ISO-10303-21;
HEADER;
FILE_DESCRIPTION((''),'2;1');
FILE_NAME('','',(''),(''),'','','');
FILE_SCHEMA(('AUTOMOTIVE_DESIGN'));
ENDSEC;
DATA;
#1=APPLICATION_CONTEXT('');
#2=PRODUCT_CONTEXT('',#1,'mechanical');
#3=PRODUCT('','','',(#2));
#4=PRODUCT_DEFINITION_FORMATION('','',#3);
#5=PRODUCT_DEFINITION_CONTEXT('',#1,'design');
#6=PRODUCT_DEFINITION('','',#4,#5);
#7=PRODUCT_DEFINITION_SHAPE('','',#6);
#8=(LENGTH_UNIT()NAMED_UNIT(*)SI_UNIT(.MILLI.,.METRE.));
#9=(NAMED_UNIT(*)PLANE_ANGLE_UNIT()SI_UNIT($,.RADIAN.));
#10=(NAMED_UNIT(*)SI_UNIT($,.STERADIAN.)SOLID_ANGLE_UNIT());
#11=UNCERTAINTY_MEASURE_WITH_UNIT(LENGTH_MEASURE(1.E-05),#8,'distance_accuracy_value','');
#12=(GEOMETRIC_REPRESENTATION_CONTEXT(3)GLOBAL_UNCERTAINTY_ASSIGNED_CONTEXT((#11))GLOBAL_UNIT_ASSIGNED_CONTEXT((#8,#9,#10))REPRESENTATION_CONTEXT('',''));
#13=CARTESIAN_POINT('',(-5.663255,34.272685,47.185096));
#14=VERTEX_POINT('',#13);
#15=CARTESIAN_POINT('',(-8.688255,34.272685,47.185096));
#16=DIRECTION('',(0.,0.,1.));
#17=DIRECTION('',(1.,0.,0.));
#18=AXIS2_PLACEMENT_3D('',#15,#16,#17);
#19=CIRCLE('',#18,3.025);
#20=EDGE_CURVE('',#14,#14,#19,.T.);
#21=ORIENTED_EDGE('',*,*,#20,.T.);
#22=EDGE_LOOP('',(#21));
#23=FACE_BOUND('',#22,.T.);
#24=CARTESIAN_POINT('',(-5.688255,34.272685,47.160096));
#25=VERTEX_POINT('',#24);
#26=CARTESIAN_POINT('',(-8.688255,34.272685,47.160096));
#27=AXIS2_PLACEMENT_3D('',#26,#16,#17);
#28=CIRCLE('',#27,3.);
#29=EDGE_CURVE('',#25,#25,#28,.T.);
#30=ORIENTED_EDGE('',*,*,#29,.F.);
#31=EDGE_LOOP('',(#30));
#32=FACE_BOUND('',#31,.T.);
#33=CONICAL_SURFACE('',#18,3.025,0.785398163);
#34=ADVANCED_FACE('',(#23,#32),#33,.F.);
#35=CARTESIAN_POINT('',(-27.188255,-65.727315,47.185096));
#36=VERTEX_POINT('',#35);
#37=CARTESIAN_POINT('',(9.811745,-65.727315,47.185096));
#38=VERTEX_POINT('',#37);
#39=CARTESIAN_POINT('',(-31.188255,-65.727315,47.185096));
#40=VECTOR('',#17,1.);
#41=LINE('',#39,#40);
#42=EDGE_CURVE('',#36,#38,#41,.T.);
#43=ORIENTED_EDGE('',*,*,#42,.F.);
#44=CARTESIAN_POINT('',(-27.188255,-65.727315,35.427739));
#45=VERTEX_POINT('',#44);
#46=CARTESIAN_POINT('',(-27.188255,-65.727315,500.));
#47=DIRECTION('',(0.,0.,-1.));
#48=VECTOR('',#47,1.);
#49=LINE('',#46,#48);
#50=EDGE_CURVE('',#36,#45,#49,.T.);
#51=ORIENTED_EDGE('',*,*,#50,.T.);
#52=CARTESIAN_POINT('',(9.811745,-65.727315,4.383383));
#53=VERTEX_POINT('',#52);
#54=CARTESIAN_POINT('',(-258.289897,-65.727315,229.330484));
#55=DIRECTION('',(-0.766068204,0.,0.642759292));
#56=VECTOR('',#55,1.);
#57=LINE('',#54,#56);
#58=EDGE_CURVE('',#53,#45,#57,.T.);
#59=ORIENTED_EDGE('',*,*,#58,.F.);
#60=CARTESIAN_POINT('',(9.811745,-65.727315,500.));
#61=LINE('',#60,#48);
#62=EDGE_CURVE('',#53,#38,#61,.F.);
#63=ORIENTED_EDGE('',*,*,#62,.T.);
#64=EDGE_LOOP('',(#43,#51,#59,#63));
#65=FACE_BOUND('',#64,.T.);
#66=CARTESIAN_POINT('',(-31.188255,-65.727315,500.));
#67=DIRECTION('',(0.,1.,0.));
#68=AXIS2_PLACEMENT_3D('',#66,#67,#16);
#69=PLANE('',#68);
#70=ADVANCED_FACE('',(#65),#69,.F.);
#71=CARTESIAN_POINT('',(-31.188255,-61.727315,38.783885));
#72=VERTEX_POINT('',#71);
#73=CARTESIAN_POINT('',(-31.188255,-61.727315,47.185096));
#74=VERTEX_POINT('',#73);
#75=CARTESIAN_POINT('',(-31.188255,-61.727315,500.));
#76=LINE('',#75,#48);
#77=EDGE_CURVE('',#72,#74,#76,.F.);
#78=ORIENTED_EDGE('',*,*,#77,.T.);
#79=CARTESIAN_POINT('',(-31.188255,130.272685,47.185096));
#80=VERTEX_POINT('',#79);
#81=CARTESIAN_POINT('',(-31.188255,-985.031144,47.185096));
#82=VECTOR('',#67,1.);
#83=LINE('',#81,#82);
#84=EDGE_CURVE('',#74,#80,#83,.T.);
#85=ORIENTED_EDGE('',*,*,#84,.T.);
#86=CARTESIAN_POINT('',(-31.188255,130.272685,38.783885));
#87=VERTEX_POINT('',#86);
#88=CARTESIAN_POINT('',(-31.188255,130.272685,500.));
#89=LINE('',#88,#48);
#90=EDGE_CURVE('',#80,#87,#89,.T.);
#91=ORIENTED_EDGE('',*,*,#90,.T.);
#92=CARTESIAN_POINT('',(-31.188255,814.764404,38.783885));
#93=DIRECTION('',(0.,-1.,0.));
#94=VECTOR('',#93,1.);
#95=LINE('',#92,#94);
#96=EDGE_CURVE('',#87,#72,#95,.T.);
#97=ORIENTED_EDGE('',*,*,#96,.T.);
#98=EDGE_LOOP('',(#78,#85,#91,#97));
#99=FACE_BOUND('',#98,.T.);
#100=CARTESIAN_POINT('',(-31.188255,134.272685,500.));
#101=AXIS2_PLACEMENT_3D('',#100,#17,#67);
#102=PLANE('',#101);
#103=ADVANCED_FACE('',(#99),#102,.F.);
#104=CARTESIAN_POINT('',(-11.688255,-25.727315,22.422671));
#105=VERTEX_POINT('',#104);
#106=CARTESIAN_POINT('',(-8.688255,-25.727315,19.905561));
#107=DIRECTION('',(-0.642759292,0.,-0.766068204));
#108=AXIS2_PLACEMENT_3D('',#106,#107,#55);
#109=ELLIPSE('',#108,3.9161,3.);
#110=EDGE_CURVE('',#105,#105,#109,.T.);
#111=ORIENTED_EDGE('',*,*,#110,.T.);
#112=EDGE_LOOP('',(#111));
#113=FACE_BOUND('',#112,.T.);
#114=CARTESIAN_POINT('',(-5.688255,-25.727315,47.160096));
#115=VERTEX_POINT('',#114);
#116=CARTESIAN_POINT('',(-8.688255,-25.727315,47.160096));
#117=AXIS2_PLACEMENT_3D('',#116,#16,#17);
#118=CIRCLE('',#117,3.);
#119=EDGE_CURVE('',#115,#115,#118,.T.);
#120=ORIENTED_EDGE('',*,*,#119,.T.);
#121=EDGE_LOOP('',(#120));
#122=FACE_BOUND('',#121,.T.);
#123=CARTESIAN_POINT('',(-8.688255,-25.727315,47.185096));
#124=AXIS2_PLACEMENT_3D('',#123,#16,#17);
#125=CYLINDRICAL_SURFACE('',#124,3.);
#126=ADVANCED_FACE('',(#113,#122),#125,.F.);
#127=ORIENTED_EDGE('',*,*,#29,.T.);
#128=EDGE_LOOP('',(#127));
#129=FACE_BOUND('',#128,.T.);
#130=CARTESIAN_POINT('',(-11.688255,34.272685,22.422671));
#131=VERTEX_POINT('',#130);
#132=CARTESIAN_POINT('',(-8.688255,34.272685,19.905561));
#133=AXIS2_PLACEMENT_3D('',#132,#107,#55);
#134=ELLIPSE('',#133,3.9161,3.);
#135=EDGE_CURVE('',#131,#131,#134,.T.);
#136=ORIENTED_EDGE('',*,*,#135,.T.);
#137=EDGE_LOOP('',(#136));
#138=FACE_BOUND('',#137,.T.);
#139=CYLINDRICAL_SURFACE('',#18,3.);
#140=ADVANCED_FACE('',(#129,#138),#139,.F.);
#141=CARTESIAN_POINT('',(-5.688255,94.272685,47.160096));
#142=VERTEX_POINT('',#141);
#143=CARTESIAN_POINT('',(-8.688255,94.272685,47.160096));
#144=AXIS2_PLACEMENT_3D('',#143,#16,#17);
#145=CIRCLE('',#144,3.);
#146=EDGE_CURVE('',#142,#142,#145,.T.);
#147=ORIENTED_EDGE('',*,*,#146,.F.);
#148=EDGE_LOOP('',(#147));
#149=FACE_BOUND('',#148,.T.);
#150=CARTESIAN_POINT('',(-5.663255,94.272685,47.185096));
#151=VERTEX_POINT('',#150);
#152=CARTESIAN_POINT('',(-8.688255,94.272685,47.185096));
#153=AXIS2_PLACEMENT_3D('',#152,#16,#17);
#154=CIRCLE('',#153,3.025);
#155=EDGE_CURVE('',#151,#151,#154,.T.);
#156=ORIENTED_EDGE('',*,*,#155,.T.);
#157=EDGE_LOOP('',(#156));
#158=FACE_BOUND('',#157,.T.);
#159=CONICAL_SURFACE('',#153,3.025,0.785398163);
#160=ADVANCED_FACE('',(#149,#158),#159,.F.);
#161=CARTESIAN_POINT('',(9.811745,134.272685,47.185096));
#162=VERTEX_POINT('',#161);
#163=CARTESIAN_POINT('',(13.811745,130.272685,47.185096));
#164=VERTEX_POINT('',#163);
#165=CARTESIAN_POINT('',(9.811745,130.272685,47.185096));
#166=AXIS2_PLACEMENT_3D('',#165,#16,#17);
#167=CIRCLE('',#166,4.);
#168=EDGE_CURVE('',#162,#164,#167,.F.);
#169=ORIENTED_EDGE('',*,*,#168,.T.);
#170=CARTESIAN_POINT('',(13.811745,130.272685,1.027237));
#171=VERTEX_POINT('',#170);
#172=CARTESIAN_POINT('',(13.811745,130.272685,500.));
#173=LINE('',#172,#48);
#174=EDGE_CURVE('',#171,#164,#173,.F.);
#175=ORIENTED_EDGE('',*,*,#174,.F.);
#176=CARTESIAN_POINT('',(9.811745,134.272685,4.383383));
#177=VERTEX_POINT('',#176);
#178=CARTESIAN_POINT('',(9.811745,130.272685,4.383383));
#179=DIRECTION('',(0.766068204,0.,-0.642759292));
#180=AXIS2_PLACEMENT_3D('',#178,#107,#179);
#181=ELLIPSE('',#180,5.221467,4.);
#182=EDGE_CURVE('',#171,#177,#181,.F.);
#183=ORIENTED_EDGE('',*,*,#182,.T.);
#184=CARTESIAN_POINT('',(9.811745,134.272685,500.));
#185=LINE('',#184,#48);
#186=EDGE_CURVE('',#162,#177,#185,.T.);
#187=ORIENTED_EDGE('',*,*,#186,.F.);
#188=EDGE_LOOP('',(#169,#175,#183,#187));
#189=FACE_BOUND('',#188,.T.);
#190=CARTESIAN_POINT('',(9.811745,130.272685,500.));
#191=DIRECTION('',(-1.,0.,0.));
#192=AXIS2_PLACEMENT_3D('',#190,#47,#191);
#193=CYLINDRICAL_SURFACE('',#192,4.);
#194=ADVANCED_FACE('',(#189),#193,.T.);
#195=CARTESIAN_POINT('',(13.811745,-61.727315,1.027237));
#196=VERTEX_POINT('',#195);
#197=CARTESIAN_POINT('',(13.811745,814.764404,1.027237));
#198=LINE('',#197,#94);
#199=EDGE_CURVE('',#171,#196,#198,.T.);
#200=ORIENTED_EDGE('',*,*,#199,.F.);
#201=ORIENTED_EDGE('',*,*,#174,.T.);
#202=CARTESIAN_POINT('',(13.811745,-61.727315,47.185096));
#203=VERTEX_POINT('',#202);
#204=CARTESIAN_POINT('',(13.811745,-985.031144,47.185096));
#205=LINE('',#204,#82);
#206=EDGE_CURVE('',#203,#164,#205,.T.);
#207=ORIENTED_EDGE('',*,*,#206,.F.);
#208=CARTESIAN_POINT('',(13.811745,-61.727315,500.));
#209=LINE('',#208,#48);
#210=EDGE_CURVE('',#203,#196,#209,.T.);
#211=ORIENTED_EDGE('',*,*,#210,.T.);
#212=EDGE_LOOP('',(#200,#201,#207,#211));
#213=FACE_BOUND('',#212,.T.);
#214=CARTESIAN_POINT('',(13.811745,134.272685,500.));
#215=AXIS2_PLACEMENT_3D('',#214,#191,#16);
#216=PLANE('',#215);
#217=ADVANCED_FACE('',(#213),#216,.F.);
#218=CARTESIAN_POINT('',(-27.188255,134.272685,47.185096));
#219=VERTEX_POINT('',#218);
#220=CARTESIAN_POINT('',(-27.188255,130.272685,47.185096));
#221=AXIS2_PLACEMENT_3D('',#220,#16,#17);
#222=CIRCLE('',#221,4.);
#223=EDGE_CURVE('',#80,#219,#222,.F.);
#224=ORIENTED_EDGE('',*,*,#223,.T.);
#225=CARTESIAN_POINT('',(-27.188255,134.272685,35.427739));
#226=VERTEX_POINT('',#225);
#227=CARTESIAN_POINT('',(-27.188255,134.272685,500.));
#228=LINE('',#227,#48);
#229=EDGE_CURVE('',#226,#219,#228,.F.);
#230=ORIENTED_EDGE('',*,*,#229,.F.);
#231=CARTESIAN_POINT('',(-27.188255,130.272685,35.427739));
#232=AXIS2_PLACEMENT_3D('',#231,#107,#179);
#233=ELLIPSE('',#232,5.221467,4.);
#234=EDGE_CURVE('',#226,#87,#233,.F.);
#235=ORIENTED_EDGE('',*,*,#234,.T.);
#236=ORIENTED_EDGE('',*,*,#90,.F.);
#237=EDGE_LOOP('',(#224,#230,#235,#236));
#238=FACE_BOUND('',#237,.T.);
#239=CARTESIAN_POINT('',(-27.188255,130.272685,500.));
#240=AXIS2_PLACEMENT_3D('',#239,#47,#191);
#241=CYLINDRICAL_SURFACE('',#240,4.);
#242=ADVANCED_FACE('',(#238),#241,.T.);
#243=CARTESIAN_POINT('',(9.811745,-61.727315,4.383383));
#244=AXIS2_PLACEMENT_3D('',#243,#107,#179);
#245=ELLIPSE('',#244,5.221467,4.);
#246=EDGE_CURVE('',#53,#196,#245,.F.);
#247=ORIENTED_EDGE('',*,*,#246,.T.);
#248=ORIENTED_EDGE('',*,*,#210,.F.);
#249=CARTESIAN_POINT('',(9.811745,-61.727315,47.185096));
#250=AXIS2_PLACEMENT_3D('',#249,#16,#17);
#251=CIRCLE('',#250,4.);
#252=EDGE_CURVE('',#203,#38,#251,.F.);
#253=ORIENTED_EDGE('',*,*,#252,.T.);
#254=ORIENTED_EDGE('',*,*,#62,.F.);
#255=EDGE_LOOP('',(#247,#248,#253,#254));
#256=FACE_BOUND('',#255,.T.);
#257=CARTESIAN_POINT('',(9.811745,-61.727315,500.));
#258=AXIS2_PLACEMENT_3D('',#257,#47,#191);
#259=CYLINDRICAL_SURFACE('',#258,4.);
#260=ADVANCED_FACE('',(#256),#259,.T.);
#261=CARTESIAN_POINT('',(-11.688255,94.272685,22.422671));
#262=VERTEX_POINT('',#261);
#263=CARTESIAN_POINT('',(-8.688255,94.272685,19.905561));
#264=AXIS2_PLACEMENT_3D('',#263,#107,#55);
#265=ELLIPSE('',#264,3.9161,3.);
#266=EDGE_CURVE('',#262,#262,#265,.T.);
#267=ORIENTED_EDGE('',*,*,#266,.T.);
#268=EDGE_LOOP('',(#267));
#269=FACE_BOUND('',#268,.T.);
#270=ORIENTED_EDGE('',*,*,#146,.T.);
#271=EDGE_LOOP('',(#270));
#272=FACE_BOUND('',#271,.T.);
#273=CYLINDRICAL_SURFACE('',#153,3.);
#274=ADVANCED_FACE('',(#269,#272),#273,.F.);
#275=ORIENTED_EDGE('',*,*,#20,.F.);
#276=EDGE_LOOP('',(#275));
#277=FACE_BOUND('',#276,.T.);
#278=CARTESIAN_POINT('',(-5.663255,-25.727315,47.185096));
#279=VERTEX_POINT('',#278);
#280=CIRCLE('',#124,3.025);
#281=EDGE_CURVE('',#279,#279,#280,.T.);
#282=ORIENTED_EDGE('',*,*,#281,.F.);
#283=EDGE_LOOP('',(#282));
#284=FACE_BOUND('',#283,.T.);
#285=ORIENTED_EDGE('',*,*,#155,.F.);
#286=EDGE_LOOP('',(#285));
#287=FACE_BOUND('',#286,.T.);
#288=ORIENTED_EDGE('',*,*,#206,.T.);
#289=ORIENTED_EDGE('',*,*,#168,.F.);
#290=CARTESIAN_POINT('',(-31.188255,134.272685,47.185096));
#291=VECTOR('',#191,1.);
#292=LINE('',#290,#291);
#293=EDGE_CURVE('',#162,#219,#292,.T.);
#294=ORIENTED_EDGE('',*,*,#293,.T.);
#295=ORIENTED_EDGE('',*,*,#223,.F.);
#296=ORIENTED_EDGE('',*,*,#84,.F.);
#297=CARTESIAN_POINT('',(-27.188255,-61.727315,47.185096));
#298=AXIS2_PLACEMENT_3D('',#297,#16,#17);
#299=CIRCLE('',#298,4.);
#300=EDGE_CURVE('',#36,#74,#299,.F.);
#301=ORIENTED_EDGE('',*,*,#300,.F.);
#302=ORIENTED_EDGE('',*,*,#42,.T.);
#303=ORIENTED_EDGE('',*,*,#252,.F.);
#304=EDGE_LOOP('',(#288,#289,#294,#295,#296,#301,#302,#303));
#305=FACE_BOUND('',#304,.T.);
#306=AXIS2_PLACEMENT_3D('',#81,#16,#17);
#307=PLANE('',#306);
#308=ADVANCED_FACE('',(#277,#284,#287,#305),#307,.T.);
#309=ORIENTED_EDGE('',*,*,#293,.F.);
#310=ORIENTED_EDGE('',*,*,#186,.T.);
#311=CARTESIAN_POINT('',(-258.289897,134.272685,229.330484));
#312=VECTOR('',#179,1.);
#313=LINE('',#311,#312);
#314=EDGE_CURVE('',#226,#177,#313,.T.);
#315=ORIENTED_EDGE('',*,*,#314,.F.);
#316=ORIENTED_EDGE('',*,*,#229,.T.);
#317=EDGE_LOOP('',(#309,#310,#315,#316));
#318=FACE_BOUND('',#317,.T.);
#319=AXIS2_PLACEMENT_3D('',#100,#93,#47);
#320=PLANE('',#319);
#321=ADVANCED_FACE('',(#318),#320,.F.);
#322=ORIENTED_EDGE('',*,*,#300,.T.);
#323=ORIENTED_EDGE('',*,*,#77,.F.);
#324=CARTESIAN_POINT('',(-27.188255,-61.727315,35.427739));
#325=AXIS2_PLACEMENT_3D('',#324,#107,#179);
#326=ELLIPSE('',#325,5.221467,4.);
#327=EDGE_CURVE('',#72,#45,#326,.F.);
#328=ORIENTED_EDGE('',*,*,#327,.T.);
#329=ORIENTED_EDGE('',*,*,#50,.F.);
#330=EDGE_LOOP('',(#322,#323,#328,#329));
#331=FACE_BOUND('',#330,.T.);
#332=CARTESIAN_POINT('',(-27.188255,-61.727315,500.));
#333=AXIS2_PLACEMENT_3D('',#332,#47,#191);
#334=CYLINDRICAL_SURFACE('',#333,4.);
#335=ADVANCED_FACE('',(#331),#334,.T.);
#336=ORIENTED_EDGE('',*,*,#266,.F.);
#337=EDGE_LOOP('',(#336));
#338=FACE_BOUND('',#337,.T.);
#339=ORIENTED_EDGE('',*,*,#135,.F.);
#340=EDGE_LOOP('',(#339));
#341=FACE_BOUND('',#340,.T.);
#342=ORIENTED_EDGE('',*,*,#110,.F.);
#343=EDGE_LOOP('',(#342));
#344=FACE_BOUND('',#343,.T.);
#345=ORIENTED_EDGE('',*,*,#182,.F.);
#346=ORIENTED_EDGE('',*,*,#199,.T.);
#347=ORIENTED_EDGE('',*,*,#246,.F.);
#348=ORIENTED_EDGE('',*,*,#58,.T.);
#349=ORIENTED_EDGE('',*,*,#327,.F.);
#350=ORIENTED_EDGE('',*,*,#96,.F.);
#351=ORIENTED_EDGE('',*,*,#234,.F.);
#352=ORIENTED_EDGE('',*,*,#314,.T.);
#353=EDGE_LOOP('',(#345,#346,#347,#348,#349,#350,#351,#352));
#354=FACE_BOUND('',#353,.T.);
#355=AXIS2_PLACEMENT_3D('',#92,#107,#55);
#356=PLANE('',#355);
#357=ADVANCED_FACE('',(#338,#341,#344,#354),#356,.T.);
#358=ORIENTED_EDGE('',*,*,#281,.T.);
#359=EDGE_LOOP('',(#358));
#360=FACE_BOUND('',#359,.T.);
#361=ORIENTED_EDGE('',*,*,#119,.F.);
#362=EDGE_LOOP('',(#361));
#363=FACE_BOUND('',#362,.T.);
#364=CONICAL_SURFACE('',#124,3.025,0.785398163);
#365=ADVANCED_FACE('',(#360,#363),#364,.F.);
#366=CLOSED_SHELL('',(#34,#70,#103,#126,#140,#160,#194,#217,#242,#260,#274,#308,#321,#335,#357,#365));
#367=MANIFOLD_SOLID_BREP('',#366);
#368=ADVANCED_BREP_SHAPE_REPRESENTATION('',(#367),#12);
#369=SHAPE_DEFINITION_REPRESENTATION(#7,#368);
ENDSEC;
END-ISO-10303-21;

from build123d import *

# Parameters (mm, degrees)
SKETCH1_W                      = 45
SKETCH1_H                      = 200
BOSS_EXTRUDE1_DEPTH            = 500
FILLET1_R                      = 4
CUT_EXTRUDE3_DEPTH             = 540.418860697
CUT_EXTRUDE3_DEPTH_BACK        = 540.418860697
CUT_EXTRUDE4_DEPTH             = 540.418860697
CUT_EXTRUDE4_DEPTH_BACK        = 540.418860697
CUT_EXTRUDE5_DEPTH             = 540.418860697
CUT_EXTRUDE5_DEPTH_BACK        = 540.418860697
CUT_EXTRUDE7_DEPTH             = 540.418860697
CUT_EXTRUDE7_DEPTH_BACK        = 540.418860697
F_6_0MM_DOWEL_SLOT_D           = 6
F_6_0MM_DOWEL_SLOT_DEPTH       = 128.197418143
F_6_0MM_DOWEL_SLOT_CSINK_D     = 6.05
F_6_0MM_DOWEL_SLOT_CSINK_ANGLE = 90
F_6_0MM_DOWEL_SLOT_TIP         = 1.802581857


with BuildPart() as part:
    # Sketch1 → Boss-Extrude1 (new body)
    with BuildSketch(Plane.XY):
        with Locations((-8.688255411, 34.272684877)):
            Rectangle(SKETCH1_W, SKETCH1_H)
    extrude(amount=BOSS_EXTRUDE1_DEPTH)

    # Fillet1
    fillet1_edges = [part.edges().sort_by_distance(p)[0] for p in [
        (13.811744589, 134.272684877, 250),
        (13.811744589, -65.727315123, 250),
        (-31.188255411, -65.727315123, 250),
        (-31.188255411, 134.272684877, 250),
    ]]
    fillet(fillet1_edges, radius=FILLET1_R)

    # Sketch4 → Cut-Extrude3 (cut, two sides: drawn at the far end of the back side and taken through both)
    with BuildSketch(Plane(origin=(0, 134.272684877, 0), x_dir=(1, 0, 0), z_dir=(0, 1, 0)).offset(-CUT_EXTRUDE3_DEPTH_BACK)):
        Polygon((-954.529416546, -60.37823327), (-31.188255411, -479.570237952), (13.811744589, -500), (937.152905724, -919.192004683), (98.768896358, -2765.874326953), (-1792.913425912, -1907.060555539), align=None)
    extrude(amount=CUT_EXTRUDE3_DEPTH + CUT_EXTRUDE3_DEPTH_BACK, mode=Mode.SUBTRACT)

    # Sketch5 → Cut-Extrude4 (cut, two sides: drawn at the far end of the back side and taken through both)
    with BuildSketch(Plane(origin=(0, 134.272684877, 0), x_dir=(1, 0, 0), z_dir=(0, 1, 0)).offset(-CUT_EXTRUDE4_DEPTH_BACK)):
        Polygon((781.934937979, 662.017821823), (13.811744589, 0), (-31.188255411, -38.7838855), (-799.311448802, -700.801707323), (-2123.347092448, 835.444679459), (-542.100705666, 2198.264208604), align=None)
    extrude(amount=CUT_EXTRUDE4_DEPTH + CUT_EXTRUDE4_DEPTH_BACK, mode=Mode.SUBTRACT)

    # Sketch6 → Cut-Extrude5 (cut, two sides: drawn at the far end of the back side and taken through both)
    with BuildSketch(Plane(origin=(0, 134.272684877, 0), x_dir=(1, 0, 0), z_dir=(0, 1, 0)).offset(-CUT_EXTRUDE5_DEPTH_BACK)):
        Polygon((-806.445941811, -689.253490297), (-31.188255411, -38.7838855), (13.811744589, -1.027236672), (789.069430988, 649.442368125), (-511.869778607, 2199.957740924), (-2107.385151405, 861.261882502), align=None)
    extrude(amount=CUT_EXTRUDE5_DEPTH + CUT_EXTRUDE5_DEPTH_BACK, mode=Mode.SUBTRACT)

    # Sketch7 → Cut-Extrude7 (cut, two sides: drawn at the far end of the back side and taken through both)
    with BuildSketch(Plane(origin=(0, -65.727315123, 0), x_dir=(-1, 0, 0), z_dir=(0, -1, 0)).offset(-CUT_EXTRUDE7_DEPTH_BACK)):
        Polygon((951.279102129, -47.185095961), (31.188255411, -47.185095961), (-13.811744589, -47.185095961), (-933.902591306, -47.185095961), (-933.902591306, -1887.366789396), (951.279102129, -1887.366789396), align=None)
    extrude(amount=CUT_EXTRUDE7_DEPTH + CUT_EXTRUDE7_DEPTH_BACK, mode=Mode.SUBTRACT)

    # Ø6.0mm Dowel Slot
    with Locations(Plane(origin=(1239.161696342, 134.272684877, 47.185095961), x_dir=(-1, 0, 0), z_dir=(0, 0, 1))):
        with Locations((1247.849951753, 160), (1247.849951753, 100), (1247.849951753, 40)):
            CounterSinkHole(F_6_0MM_DOWEL_SLOT_D / 2, F_6_0MM_DOWEL_SLOT_CSINK_D / 2, depth=F_6_0MM_DOWEL_SLOT_DEPTH, counter_sink_angle=F_6_0MM_DOWEL_SLOT_CSINK_ANGLE)
            with Locations((0, 0, -(F_6_0MM_DOWEL_SLOT_DEPTH + F_6_0MM_DOWEL_SLOT_TIP / 2))):  # 118° drill point
                Cone(0, F_6_0MM_DOWEL_SLOT_D / 2, F_6_0MM_DOWEL_SLOT_TIP, mode=Mode.SUBTRACT)


solid = part.part
